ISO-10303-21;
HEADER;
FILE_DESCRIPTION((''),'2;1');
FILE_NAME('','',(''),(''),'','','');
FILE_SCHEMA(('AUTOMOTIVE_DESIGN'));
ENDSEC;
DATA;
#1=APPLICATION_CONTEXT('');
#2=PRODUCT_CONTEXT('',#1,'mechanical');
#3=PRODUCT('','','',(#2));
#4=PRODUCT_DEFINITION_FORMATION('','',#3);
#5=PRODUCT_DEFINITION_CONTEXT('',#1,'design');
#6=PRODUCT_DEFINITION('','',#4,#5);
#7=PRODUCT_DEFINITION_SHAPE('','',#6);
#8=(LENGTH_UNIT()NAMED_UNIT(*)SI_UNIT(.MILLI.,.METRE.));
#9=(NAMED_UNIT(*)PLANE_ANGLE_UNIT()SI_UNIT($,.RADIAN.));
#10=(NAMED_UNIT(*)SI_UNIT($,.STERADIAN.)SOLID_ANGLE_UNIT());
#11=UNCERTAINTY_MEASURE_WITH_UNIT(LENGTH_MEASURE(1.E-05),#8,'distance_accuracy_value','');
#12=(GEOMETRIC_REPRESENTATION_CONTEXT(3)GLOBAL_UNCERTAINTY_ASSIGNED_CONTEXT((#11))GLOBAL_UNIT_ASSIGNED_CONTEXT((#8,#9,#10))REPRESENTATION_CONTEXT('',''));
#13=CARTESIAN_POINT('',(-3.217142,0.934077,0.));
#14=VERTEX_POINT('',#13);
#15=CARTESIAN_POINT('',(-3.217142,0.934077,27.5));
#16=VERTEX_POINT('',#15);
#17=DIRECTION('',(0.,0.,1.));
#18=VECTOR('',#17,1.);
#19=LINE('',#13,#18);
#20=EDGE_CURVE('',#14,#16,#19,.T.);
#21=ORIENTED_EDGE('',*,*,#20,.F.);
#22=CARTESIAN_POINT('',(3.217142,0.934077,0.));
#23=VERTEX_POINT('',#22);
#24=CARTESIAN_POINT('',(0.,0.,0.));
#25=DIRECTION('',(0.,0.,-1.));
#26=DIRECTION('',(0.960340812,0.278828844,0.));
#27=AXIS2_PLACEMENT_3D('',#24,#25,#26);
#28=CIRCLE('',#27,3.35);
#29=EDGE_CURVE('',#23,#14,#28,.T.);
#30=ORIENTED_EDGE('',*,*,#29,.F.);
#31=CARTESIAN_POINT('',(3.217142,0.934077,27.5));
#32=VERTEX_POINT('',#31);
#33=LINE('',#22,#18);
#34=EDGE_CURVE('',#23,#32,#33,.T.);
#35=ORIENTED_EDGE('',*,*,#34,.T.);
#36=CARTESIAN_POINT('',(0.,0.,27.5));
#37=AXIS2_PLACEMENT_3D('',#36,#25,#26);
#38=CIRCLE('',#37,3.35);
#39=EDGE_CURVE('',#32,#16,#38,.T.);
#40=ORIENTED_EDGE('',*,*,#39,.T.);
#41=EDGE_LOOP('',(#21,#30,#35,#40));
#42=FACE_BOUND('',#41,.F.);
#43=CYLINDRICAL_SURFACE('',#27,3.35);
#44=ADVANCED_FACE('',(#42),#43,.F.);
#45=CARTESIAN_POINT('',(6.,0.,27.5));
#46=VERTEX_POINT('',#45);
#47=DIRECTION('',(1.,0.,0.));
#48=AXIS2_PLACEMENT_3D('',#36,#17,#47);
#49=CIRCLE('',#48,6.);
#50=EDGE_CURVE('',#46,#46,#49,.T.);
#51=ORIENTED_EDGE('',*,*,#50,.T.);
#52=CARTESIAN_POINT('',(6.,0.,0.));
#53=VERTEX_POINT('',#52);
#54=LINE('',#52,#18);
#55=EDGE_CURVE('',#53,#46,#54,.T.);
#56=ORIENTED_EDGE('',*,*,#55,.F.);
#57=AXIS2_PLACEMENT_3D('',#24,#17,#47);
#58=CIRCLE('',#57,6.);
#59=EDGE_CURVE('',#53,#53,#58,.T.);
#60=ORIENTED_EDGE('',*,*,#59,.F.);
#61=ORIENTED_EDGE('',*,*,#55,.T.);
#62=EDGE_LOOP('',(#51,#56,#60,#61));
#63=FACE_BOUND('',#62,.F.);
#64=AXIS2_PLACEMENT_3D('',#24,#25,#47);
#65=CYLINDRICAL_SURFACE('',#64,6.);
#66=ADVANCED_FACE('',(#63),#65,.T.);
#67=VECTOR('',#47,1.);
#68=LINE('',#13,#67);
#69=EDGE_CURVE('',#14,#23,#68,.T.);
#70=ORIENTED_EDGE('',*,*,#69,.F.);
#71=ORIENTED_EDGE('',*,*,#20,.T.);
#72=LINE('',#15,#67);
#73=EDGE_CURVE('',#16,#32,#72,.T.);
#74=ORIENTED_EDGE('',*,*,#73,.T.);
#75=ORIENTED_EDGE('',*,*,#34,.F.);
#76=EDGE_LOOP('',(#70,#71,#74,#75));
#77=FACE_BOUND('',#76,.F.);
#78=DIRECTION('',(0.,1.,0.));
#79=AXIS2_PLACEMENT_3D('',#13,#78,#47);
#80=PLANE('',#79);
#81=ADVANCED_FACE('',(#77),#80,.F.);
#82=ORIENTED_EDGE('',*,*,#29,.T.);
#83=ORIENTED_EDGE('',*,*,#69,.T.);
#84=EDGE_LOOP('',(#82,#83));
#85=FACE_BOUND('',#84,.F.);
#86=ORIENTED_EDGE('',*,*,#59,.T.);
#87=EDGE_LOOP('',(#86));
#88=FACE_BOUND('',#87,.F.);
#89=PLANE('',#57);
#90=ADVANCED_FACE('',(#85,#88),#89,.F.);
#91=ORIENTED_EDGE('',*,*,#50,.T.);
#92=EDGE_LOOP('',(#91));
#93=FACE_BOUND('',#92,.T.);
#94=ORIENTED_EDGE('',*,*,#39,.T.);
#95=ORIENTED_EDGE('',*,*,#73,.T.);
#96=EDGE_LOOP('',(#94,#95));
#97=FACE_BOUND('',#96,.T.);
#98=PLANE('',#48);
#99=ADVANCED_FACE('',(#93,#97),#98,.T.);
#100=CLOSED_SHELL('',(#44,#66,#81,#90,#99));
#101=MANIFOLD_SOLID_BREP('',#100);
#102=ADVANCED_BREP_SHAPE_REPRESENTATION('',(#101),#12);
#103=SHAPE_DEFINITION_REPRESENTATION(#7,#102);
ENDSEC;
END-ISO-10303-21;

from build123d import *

# Parameters (mm, degrees)
F0_R     = 6
F1_DEPTH = 27.5


with BuildPart() as f1:
    # F0 (on Top) → F1 (new body)
    with BuildSketch(Plane.XY):
        Circle(F0_R)
        with BuildLine():
            ThreePointArc((-3.217142, 0.934077), (-2.962107, 1.564744), (-2.584923, 2.130885))
            ThreePointArc((-2.584923, 2.130885), (0, 3.35), (2.584923, 2.130885))
            ThreePointArc((2.584923, 2.130885), (2.962107, 1.564744), (3.217142, 0.934077))
            ThreePointArc((3.217142, 0.934077), (0, -3.35), (-3.217142, 0.934077))
        make_face(mode=Mode.SUBTRACT)
        with BuildLine():
            ThreePointArc((2.584923, 2.130885), (0, 3.35), (-2.584923, 2.130885))
            ThreePointArc((-2.584923, 2.130885), (-2.962107, 1.564744), (-3.217142, 0.934077))
            Line((-3.217142, 0.934077), (0, 0.934077))
            Line((0, 0.934077), (3.217142, 0.934077))
            ThreePointArc((3.217142, 0.934077), (2.962107, 1.564744), (2.584923, 2.130885))
        make_face()
    extrude(amount=F1_DEPTH)


solid = f1.part
